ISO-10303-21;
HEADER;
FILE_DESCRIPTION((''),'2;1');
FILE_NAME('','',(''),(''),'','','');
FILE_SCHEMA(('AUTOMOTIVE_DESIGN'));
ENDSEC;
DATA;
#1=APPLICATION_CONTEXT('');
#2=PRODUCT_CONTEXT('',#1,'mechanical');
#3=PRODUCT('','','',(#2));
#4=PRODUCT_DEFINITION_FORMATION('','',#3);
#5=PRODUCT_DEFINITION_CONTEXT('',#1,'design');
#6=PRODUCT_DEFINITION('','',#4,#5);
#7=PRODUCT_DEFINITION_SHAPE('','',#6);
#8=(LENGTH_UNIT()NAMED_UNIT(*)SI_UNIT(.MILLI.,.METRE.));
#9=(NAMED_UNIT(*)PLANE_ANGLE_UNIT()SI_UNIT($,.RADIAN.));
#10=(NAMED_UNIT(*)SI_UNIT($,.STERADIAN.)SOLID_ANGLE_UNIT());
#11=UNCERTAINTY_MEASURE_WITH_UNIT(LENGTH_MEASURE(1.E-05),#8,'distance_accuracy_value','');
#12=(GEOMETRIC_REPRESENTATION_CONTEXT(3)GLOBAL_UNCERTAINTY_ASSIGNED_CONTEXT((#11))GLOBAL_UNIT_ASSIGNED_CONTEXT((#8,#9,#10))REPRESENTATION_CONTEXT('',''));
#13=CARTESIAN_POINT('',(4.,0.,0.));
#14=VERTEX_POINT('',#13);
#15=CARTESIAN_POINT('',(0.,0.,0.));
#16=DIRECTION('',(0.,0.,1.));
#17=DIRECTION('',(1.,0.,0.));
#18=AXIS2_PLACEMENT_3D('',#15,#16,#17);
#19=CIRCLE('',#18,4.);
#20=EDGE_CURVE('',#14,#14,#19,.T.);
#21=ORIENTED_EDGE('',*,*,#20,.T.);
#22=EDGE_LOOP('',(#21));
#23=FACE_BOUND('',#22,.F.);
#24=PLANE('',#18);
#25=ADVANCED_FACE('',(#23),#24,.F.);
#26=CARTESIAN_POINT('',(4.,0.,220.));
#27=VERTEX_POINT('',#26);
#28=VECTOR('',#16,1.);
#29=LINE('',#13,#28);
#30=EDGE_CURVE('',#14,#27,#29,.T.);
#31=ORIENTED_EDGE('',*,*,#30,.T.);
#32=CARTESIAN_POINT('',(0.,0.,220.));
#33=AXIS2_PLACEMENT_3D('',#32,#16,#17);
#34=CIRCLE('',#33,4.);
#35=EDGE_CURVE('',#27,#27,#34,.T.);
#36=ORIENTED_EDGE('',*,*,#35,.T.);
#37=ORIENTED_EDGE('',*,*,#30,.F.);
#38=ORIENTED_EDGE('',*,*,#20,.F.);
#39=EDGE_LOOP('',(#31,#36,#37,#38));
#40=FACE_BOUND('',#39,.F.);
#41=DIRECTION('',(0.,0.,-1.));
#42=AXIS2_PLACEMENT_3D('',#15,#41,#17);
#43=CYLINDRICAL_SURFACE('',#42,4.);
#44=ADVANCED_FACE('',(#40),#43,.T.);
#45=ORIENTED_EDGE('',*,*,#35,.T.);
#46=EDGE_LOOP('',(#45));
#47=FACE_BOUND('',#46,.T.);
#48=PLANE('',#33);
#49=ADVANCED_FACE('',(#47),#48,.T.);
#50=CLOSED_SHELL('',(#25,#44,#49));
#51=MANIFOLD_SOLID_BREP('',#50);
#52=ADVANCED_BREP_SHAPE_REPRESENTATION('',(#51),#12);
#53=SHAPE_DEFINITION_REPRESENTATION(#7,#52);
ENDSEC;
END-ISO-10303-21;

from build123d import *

# Parameters (mm, degrees)
CYLINDER_R     = 4
CYLINDER_DEPTH = 220


with BuildPart() as part:
    # Cylinder → Cylinder (new body)
    with BuildSketch(Plane.XY):
        Circle(CYLINDER_R)
    extrude(amount=CYLINDER_DEPTH)


solid = part.part
